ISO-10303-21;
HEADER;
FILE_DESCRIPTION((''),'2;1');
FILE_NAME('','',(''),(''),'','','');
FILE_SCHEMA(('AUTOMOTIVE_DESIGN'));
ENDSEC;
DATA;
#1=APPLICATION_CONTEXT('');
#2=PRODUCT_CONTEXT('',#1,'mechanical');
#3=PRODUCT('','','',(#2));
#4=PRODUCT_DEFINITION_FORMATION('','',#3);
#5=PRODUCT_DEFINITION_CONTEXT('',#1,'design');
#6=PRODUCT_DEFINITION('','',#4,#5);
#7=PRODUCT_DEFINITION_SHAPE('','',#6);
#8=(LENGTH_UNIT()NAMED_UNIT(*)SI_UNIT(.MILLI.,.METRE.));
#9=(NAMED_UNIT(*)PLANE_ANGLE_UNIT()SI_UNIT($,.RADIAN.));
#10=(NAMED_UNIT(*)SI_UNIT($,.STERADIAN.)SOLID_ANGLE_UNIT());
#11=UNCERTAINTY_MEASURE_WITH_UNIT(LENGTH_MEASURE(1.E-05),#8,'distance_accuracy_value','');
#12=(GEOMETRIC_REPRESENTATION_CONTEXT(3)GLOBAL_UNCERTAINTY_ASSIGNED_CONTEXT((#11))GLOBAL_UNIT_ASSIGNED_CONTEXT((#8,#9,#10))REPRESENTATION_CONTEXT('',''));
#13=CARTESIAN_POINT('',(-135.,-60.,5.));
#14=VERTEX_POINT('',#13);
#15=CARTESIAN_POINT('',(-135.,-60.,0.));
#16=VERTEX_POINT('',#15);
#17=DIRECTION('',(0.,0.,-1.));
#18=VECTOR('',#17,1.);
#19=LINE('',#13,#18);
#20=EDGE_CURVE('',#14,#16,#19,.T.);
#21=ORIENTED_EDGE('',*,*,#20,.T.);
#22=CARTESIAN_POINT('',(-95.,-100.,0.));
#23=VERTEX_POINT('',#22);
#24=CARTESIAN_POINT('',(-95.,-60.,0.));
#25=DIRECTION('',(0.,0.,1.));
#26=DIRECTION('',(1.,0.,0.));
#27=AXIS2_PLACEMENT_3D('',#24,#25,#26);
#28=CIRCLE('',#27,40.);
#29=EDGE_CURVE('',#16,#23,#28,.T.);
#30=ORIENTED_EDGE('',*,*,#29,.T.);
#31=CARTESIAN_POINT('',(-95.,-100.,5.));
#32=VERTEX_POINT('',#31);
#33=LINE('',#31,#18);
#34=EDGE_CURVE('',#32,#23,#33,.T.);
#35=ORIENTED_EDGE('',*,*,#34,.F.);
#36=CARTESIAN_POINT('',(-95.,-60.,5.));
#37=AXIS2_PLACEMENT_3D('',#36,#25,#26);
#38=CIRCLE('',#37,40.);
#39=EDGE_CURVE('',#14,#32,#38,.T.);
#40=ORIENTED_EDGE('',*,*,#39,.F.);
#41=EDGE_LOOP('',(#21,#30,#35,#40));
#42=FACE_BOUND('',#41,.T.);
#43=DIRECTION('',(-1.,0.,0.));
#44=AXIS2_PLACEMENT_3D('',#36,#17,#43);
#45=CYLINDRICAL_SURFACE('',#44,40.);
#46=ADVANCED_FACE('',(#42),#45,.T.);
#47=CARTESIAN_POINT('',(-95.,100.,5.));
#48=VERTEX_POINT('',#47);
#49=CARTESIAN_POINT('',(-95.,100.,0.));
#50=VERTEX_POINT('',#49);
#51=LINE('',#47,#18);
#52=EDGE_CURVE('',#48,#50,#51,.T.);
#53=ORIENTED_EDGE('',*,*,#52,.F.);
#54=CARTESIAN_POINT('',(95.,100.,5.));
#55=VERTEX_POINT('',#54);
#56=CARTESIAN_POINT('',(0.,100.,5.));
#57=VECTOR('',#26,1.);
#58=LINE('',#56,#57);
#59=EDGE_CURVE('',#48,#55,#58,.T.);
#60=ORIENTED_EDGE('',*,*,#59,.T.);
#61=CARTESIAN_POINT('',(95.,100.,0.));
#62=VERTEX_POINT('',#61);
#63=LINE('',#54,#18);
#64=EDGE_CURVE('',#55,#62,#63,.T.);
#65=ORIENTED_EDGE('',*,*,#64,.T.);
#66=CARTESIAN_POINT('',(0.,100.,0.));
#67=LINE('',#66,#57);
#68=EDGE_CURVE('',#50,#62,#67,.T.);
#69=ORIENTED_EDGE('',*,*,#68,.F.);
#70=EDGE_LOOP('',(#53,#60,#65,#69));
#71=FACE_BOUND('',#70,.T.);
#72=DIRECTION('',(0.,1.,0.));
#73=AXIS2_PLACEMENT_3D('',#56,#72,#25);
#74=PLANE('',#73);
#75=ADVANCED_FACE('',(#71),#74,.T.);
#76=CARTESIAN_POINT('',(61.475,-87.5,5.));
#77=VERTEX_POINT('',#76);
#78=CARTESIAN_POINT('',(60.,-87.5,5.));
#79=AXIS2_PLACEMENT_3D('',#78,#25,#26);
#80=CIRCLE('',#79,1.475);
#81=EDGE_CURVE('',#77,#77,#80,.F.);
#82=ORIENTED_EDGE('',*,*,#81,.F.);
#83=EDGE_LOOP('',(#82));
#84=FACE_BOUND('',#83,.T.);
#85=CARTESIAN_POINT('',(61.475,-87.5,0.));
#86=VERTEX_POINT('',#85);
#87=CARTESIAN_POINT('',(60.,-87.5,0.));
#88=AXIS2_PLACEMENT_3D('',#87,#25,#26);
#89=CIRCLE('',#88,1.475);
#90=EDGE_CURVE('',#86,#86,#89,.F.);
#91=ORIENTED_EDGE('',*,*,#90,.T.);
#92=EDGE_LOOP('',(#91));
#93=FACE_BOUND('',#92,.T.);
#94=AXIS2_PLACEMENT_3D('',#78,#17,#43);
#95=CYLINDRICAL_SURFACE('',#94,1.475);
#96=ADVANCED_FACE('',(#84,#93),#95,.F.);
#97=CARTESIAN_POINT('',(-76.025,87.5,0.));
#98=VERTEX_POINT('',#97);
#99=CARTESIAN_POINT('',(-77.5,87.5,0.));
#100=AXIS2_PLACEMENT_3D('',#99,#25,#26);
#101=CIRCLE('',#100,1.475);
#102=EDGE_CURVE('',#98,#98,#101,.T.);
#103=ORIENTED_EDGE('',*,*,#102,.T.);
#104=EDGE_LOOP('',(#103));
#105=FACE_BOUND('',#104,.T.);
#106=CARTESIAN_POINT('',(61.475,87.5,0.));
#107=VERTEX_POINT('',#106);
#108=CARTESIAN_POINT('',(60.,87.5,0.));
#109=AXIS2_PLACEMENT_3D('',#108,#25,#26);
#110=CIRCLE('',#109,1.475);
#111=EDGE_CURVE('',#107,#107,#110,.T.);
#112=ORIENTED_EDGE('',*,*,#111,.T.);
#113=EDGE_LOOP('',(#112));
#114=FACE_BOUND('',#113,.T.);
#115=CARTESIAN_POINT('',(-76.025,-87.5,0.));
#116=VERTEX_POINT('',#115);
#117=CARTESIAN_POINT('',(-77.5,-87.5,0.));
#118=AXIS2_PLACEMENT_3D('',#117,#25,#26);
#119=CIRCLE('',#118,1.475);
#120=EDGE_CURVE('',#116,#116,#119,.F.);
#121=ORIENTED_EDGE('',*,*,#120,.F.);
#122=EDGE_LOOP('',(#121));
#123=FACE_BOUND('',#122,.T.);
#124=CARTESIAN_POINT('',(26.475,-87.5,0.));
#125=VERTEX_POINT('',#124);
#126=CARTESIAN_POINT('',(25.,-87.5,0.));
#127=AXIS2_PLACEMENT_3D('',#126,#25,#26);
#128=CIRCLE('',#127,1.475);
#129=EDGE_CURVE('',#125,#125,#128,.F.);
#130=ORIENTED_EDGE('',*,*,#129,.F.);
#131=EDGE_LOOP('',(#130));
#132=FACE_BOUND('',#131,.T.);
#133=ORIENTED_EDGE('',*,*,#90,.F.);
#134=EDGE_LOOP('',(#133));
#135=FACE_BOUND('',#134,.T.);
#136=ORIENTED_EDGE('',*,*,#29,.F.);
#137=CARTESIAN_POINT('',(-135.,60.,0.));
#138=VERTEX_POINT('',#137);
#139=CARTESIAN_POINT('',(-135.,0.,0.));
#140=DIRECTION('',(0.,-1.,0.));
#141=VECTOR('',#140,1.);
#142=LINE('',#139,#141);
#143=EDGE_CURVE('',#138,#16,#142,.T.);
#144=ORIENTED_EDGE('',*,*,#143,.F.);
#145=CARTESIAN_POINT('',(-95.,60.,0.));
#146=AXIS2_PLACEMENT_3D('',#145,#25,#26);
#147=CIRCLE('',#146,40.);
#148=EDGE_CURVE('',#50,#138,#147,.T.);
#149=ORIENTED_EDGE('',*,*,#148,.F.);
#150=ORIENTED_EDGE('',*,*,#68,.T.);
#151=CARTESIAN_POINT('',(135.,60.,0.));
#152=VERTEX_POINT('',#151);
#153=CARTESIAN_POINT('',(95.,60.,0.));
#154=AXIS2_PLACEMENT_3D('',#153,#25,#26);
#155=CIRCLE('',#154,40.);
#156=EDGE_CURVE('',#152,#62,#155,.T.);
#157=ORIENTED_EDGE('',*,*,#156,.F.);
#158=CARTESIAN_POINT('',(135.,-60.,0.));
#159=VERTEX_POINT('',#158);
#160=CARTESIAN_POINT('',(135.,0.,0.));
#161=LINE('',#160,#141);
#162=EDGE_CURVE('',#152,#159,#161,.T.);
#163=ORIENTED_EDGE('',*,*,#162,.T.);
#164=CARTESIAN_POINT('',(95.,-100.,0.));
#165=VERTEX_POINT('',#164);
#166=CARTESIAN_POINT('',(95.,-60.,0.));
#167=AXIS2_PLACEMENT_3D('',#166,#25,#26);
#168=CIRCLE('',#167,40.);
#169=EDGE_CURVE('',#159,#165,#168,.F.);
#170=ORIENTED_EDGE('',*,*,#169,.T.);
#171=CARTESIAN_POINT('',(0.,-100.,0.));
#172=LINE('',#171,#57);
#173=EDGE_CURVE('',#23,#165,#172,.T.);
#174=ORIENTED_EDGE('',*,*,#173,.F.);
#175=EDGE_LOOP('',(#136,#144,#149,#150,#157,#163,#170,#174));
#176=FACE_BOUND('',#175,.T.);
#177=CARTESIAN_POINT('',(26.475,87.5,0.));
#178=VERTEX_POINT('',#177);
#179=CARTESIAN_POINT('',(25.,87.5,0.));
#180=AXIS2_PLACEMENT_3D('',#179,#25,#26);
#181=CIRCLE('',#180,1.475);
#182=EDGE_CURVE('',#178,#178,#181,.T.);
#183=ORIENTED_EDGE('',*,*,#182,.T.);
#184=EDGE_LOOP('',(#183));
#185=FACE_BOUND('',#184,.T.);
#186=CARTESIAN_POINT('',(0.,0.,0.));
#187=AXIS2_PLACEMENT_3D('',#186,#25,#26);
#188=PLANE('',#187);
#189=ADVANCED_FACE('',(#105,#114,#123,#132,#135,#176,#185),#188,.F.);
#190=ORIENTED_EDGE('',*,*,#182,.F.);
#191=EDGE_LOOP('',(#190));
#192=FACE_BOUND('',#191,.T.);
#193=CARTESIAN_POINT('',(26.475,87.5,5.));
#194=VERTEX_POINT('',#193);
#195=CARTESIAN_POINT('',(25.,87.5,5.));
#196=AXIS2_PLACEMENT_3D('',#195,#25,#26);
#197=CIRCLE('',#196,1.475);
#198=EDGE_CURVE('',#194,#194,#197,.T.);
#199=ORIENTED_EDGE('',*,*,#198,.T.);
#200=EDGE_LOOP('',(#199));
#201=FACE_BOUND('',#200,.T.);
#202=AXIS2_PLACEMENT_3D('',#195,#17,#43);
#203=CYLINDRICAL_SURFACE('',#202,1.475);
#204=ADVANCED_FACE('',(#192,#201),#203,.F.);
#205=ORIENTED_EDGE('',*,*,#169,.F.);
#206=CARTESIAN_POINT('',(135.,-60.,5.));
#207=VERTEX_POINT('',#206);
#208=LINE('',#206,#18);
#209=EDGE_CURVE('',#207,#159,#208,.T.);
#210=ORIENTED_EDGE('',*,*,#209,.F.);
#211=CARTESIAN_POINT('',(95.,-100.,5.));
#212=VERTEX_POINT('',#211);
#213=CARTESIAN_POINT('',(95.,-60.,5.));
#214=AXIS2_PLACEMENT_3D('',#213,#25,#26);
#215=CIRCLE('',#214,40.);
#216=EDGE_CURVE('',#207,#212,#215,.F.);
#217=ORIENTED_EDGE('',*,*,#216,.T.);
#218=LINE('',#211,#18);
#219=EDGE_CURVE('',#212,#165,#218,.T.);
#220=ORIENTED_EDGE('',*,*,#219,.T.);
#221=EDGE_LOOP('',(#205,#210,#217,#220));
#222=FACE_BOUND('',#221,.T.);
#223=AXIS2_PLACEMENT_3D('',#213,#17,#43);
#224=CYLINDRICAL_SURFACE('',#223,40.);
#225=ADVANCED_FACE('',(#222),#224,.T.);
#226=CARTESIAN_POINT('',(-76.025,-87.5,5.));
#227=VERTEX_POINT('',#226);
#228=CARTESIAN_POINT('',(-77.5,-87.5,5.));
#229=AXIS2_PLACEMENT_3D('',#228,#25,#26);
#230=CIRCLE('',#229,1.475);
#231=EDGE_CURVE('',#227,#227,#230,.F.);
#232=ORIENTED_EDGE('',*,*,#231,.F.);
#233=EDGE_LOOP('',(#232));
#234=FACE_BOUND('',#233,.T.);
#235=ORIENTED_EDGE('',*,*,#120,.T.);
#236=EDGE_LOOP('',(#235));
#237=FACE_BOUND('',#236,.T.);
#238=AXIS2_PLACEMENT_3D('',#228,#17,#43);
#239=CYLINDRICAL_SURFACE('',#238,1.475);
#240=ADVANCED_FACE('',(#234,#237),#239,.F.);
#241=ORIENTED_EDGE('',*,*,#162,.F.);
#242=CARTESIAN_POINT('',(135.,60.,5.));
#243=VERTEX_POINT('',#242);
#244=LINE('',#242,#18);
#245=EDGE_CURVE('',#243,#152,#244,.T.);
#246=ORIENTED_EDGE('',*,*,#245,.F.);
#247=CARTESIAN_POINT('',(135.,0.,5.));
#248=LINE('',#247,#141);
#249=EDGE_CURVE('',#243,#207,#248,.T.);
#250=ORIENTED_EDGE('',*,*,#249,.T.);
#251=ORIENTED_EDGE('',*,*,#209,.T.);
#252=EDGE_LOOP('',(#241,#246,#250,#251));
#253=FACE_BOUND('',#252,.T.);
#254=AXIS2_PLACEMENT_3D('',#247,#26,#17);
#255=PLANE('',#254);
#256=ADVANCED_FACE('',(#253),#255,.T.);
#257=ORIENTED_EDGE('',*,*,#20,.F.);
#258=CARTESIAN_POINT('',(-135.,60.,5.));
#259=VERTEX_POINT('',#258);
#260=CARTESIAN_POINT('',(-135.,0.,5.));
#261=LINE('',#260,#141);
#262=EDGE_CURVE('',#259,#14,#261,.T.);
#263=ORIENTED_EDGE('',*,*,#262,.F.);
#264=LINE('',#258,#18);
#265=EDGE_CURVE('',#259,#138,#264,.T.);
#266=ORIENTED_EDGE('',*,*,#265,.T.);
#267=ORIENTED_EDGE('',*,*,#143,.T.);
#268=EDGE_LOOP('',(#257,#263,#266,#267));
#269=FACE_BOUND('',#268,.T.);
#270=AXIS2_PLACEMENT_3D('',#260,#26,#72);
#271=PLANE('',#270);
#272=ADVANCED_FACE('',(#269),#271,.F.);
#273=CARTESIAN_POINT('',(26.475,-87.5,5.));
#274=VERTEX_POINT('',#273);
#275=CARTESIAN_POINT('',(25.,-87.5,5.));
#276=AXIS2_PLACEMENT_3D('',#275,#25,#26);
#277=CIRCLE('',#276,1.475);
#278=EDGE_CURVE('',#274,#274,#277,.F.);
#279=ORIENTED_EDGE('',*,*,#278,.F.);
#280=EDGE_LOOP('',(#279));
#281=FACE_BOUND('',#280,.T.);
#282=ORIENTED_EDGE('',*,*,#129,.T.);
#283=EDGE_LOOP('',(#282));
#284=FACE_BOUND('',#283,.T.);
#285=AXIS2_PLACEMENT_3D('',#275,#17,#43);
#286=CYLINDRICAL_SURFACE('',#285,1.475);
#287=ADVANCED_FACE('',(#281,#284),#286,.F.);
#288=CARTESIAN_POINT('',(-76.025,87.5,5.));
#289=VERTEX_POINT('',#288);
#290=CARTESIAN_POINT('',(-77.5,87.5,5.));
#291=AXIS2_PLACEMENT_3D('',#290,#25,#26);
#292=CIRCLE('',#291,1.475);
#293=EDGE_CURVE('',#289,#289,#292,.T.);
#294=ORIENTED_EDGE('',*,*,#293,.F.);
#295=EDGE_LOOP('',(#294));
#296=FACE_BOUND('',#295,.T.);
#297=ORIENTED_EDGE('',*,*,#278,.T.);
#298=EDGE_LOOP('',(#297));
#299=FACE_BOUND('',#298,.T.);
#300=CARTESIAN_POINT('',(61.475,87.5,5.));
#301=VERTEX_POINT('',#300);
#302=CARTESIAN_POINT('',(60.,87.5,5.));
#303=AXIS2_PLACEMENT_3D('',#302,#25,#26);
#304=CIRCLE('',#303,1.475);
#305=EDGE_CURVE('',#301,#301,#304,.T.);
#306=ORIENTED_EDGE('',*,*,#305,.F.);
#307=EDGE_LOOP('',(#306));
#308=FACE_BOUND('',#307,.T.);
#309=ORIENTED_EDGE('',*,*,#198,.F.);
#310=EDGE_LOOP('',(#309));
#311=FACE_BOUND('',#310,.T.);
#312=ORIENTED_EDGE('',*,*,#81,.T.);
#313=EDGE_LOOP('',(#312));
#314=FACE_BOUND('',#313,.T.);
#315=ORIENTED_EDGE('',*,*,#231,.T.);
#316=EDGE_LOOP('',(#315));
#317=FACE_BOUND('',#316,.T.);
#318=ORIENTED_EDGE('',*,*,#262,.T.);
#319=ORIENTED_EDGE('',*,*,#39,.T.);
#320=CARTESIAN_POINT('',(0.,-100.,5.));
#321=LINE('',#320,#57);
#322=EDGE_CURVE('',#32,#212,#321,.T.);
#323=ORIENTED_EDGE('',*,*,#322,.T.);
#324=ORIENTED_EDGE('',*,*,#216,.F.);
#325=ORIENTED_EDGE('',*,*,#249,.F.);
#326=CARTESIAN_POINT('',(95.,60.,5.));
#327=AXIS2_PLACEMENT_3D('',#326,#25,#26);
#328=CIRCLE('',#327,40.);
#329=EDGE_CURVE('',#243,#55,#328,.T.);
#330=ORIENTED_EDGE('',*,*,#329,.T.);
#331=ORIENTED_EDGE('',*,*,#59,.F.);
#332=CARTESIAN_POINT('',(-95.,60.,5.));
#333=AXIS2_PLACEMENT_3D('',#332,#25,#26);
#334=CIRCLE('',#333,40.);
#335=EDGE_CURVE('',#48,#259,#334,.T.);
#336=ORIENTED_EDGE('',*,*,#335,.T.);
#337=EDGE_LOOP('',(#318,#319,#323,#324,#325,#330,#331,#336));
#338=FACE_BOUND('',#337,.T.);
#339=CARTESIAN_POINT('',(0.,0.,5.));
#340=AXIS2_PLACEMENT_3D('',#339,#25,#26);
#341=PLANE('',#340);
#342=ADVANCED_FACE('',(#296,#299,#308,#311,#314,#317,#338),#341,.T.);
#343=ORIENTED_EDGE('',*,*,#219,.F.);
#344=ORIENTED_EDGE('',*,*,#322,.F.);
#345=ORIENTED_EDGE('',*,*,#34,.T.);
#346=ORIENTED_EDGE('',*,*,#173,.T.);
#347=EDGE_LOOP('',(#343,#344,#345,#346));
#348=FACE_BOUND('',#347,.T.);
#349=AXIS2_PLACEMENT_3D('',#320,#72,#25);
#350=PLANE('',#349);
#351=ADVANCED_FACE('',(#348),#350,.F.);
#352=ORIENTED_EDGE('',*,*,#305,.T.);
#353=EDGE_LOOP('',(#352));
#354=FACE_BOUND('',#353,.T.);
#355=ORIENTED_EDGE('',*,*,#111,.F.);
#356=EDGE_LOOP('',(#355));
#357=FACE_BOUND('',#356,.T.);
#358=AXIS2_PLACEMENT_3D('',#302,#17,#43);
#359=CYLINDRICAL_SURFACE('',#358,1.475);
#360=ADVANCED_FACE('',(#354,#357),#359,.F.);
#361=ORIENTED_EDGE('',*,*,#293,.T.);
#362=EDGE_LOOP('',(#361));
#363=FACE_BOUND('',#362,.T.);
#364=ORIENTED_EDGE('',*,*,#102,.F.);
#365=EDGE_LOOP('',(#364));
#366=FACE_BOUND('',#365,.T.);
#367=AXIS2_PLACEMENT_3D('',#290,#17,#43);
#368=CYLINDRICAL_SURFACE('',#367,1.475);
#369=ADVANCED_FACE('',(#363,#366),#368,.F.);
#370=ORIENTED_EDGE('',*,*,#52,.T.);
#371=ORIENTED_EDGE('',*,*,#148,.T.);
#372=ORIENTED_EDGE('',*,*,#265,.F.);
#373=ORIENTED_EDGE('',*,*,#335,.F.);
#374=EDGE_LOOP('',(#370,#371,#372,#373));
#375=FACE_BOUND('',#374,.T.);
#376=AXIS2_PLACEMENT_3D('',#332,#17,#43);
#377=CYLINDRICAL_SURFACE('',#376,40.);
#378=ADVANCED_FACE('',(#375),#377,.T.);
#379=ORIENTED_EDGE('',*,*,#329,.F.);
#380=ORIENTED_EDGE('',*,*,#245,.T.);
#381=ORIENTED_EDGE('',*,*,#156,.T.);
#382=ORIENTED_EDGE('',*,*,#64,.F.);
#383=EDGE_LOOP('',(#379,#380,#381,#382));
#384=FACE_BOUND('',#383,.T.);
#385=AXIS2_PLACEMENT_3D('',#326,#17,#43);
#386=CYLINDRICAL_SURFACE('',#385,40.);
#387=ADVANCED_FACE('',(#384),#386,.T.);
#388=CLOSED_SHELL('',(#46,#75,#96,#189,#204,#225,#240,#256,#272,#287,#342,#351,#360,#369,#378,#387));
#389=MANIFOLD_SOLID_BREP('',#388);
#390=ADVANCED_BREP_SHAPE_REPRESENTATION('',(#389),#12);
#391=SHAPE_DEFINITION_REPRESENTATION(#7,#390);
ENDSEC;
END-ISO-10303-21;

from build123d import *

# Parameters (mm, degrees)
SKETCH2_R           = 1.475
BOSS_EXTRUDE1_DEPTH = 5


with BuildPart() as part:
    # Sketch2 → Boss-Extrude1 (new body)
    with BuildSketch(Plane.XY):
        with BuildLine():
            Line((-95, 100), (95, 100))
            ThreePointArc((95, 100), (123.284271247, 88.284271247), (135, 60))
            Line((135, 60), (135, -60))
            ThreePointArc((135, -60), (123.284271247, -88.284271247), (95, -100))
            Line((95, -100), (-95, -100))
            ThreePointArc((-95, -100), (-123.284271247, -88.284271247), (-135, -60))
            Line((-135, -60), (-135, 60))
            ThreePointArc((-135, 60), (-123.284271247, 88.284271247), (-95, 100))
        make_face()
        with Locations((-77.5, 87.5)):
            Circle(SKETCH2_R, mode=Mode.SUBTRACT)
        with Locations((25, 87.5)):
            Circle(SKETCH2_R, mode=Mode.SUBTRACT)
        with Locations((60, 87.5)):
            Circle(SKETCH2_R, mode=Mode.SUBTRACT)
        with Locations((60, -87.5)):
            Circle(SKETCH2_R, mode=Mode.SUBTRACT)
        with Locations((25, -87.5)):
            Circle(SKETCH2_R, mode=Mode.SUBTRACT)
        with Locations((-77.5, -87.5)):
            Circle(SKETCH2_R, mode=Mode.SUBTRACT)
    extrude(amount=BOSS_EXTRUDE1_DEPTH)


solid = part.part
